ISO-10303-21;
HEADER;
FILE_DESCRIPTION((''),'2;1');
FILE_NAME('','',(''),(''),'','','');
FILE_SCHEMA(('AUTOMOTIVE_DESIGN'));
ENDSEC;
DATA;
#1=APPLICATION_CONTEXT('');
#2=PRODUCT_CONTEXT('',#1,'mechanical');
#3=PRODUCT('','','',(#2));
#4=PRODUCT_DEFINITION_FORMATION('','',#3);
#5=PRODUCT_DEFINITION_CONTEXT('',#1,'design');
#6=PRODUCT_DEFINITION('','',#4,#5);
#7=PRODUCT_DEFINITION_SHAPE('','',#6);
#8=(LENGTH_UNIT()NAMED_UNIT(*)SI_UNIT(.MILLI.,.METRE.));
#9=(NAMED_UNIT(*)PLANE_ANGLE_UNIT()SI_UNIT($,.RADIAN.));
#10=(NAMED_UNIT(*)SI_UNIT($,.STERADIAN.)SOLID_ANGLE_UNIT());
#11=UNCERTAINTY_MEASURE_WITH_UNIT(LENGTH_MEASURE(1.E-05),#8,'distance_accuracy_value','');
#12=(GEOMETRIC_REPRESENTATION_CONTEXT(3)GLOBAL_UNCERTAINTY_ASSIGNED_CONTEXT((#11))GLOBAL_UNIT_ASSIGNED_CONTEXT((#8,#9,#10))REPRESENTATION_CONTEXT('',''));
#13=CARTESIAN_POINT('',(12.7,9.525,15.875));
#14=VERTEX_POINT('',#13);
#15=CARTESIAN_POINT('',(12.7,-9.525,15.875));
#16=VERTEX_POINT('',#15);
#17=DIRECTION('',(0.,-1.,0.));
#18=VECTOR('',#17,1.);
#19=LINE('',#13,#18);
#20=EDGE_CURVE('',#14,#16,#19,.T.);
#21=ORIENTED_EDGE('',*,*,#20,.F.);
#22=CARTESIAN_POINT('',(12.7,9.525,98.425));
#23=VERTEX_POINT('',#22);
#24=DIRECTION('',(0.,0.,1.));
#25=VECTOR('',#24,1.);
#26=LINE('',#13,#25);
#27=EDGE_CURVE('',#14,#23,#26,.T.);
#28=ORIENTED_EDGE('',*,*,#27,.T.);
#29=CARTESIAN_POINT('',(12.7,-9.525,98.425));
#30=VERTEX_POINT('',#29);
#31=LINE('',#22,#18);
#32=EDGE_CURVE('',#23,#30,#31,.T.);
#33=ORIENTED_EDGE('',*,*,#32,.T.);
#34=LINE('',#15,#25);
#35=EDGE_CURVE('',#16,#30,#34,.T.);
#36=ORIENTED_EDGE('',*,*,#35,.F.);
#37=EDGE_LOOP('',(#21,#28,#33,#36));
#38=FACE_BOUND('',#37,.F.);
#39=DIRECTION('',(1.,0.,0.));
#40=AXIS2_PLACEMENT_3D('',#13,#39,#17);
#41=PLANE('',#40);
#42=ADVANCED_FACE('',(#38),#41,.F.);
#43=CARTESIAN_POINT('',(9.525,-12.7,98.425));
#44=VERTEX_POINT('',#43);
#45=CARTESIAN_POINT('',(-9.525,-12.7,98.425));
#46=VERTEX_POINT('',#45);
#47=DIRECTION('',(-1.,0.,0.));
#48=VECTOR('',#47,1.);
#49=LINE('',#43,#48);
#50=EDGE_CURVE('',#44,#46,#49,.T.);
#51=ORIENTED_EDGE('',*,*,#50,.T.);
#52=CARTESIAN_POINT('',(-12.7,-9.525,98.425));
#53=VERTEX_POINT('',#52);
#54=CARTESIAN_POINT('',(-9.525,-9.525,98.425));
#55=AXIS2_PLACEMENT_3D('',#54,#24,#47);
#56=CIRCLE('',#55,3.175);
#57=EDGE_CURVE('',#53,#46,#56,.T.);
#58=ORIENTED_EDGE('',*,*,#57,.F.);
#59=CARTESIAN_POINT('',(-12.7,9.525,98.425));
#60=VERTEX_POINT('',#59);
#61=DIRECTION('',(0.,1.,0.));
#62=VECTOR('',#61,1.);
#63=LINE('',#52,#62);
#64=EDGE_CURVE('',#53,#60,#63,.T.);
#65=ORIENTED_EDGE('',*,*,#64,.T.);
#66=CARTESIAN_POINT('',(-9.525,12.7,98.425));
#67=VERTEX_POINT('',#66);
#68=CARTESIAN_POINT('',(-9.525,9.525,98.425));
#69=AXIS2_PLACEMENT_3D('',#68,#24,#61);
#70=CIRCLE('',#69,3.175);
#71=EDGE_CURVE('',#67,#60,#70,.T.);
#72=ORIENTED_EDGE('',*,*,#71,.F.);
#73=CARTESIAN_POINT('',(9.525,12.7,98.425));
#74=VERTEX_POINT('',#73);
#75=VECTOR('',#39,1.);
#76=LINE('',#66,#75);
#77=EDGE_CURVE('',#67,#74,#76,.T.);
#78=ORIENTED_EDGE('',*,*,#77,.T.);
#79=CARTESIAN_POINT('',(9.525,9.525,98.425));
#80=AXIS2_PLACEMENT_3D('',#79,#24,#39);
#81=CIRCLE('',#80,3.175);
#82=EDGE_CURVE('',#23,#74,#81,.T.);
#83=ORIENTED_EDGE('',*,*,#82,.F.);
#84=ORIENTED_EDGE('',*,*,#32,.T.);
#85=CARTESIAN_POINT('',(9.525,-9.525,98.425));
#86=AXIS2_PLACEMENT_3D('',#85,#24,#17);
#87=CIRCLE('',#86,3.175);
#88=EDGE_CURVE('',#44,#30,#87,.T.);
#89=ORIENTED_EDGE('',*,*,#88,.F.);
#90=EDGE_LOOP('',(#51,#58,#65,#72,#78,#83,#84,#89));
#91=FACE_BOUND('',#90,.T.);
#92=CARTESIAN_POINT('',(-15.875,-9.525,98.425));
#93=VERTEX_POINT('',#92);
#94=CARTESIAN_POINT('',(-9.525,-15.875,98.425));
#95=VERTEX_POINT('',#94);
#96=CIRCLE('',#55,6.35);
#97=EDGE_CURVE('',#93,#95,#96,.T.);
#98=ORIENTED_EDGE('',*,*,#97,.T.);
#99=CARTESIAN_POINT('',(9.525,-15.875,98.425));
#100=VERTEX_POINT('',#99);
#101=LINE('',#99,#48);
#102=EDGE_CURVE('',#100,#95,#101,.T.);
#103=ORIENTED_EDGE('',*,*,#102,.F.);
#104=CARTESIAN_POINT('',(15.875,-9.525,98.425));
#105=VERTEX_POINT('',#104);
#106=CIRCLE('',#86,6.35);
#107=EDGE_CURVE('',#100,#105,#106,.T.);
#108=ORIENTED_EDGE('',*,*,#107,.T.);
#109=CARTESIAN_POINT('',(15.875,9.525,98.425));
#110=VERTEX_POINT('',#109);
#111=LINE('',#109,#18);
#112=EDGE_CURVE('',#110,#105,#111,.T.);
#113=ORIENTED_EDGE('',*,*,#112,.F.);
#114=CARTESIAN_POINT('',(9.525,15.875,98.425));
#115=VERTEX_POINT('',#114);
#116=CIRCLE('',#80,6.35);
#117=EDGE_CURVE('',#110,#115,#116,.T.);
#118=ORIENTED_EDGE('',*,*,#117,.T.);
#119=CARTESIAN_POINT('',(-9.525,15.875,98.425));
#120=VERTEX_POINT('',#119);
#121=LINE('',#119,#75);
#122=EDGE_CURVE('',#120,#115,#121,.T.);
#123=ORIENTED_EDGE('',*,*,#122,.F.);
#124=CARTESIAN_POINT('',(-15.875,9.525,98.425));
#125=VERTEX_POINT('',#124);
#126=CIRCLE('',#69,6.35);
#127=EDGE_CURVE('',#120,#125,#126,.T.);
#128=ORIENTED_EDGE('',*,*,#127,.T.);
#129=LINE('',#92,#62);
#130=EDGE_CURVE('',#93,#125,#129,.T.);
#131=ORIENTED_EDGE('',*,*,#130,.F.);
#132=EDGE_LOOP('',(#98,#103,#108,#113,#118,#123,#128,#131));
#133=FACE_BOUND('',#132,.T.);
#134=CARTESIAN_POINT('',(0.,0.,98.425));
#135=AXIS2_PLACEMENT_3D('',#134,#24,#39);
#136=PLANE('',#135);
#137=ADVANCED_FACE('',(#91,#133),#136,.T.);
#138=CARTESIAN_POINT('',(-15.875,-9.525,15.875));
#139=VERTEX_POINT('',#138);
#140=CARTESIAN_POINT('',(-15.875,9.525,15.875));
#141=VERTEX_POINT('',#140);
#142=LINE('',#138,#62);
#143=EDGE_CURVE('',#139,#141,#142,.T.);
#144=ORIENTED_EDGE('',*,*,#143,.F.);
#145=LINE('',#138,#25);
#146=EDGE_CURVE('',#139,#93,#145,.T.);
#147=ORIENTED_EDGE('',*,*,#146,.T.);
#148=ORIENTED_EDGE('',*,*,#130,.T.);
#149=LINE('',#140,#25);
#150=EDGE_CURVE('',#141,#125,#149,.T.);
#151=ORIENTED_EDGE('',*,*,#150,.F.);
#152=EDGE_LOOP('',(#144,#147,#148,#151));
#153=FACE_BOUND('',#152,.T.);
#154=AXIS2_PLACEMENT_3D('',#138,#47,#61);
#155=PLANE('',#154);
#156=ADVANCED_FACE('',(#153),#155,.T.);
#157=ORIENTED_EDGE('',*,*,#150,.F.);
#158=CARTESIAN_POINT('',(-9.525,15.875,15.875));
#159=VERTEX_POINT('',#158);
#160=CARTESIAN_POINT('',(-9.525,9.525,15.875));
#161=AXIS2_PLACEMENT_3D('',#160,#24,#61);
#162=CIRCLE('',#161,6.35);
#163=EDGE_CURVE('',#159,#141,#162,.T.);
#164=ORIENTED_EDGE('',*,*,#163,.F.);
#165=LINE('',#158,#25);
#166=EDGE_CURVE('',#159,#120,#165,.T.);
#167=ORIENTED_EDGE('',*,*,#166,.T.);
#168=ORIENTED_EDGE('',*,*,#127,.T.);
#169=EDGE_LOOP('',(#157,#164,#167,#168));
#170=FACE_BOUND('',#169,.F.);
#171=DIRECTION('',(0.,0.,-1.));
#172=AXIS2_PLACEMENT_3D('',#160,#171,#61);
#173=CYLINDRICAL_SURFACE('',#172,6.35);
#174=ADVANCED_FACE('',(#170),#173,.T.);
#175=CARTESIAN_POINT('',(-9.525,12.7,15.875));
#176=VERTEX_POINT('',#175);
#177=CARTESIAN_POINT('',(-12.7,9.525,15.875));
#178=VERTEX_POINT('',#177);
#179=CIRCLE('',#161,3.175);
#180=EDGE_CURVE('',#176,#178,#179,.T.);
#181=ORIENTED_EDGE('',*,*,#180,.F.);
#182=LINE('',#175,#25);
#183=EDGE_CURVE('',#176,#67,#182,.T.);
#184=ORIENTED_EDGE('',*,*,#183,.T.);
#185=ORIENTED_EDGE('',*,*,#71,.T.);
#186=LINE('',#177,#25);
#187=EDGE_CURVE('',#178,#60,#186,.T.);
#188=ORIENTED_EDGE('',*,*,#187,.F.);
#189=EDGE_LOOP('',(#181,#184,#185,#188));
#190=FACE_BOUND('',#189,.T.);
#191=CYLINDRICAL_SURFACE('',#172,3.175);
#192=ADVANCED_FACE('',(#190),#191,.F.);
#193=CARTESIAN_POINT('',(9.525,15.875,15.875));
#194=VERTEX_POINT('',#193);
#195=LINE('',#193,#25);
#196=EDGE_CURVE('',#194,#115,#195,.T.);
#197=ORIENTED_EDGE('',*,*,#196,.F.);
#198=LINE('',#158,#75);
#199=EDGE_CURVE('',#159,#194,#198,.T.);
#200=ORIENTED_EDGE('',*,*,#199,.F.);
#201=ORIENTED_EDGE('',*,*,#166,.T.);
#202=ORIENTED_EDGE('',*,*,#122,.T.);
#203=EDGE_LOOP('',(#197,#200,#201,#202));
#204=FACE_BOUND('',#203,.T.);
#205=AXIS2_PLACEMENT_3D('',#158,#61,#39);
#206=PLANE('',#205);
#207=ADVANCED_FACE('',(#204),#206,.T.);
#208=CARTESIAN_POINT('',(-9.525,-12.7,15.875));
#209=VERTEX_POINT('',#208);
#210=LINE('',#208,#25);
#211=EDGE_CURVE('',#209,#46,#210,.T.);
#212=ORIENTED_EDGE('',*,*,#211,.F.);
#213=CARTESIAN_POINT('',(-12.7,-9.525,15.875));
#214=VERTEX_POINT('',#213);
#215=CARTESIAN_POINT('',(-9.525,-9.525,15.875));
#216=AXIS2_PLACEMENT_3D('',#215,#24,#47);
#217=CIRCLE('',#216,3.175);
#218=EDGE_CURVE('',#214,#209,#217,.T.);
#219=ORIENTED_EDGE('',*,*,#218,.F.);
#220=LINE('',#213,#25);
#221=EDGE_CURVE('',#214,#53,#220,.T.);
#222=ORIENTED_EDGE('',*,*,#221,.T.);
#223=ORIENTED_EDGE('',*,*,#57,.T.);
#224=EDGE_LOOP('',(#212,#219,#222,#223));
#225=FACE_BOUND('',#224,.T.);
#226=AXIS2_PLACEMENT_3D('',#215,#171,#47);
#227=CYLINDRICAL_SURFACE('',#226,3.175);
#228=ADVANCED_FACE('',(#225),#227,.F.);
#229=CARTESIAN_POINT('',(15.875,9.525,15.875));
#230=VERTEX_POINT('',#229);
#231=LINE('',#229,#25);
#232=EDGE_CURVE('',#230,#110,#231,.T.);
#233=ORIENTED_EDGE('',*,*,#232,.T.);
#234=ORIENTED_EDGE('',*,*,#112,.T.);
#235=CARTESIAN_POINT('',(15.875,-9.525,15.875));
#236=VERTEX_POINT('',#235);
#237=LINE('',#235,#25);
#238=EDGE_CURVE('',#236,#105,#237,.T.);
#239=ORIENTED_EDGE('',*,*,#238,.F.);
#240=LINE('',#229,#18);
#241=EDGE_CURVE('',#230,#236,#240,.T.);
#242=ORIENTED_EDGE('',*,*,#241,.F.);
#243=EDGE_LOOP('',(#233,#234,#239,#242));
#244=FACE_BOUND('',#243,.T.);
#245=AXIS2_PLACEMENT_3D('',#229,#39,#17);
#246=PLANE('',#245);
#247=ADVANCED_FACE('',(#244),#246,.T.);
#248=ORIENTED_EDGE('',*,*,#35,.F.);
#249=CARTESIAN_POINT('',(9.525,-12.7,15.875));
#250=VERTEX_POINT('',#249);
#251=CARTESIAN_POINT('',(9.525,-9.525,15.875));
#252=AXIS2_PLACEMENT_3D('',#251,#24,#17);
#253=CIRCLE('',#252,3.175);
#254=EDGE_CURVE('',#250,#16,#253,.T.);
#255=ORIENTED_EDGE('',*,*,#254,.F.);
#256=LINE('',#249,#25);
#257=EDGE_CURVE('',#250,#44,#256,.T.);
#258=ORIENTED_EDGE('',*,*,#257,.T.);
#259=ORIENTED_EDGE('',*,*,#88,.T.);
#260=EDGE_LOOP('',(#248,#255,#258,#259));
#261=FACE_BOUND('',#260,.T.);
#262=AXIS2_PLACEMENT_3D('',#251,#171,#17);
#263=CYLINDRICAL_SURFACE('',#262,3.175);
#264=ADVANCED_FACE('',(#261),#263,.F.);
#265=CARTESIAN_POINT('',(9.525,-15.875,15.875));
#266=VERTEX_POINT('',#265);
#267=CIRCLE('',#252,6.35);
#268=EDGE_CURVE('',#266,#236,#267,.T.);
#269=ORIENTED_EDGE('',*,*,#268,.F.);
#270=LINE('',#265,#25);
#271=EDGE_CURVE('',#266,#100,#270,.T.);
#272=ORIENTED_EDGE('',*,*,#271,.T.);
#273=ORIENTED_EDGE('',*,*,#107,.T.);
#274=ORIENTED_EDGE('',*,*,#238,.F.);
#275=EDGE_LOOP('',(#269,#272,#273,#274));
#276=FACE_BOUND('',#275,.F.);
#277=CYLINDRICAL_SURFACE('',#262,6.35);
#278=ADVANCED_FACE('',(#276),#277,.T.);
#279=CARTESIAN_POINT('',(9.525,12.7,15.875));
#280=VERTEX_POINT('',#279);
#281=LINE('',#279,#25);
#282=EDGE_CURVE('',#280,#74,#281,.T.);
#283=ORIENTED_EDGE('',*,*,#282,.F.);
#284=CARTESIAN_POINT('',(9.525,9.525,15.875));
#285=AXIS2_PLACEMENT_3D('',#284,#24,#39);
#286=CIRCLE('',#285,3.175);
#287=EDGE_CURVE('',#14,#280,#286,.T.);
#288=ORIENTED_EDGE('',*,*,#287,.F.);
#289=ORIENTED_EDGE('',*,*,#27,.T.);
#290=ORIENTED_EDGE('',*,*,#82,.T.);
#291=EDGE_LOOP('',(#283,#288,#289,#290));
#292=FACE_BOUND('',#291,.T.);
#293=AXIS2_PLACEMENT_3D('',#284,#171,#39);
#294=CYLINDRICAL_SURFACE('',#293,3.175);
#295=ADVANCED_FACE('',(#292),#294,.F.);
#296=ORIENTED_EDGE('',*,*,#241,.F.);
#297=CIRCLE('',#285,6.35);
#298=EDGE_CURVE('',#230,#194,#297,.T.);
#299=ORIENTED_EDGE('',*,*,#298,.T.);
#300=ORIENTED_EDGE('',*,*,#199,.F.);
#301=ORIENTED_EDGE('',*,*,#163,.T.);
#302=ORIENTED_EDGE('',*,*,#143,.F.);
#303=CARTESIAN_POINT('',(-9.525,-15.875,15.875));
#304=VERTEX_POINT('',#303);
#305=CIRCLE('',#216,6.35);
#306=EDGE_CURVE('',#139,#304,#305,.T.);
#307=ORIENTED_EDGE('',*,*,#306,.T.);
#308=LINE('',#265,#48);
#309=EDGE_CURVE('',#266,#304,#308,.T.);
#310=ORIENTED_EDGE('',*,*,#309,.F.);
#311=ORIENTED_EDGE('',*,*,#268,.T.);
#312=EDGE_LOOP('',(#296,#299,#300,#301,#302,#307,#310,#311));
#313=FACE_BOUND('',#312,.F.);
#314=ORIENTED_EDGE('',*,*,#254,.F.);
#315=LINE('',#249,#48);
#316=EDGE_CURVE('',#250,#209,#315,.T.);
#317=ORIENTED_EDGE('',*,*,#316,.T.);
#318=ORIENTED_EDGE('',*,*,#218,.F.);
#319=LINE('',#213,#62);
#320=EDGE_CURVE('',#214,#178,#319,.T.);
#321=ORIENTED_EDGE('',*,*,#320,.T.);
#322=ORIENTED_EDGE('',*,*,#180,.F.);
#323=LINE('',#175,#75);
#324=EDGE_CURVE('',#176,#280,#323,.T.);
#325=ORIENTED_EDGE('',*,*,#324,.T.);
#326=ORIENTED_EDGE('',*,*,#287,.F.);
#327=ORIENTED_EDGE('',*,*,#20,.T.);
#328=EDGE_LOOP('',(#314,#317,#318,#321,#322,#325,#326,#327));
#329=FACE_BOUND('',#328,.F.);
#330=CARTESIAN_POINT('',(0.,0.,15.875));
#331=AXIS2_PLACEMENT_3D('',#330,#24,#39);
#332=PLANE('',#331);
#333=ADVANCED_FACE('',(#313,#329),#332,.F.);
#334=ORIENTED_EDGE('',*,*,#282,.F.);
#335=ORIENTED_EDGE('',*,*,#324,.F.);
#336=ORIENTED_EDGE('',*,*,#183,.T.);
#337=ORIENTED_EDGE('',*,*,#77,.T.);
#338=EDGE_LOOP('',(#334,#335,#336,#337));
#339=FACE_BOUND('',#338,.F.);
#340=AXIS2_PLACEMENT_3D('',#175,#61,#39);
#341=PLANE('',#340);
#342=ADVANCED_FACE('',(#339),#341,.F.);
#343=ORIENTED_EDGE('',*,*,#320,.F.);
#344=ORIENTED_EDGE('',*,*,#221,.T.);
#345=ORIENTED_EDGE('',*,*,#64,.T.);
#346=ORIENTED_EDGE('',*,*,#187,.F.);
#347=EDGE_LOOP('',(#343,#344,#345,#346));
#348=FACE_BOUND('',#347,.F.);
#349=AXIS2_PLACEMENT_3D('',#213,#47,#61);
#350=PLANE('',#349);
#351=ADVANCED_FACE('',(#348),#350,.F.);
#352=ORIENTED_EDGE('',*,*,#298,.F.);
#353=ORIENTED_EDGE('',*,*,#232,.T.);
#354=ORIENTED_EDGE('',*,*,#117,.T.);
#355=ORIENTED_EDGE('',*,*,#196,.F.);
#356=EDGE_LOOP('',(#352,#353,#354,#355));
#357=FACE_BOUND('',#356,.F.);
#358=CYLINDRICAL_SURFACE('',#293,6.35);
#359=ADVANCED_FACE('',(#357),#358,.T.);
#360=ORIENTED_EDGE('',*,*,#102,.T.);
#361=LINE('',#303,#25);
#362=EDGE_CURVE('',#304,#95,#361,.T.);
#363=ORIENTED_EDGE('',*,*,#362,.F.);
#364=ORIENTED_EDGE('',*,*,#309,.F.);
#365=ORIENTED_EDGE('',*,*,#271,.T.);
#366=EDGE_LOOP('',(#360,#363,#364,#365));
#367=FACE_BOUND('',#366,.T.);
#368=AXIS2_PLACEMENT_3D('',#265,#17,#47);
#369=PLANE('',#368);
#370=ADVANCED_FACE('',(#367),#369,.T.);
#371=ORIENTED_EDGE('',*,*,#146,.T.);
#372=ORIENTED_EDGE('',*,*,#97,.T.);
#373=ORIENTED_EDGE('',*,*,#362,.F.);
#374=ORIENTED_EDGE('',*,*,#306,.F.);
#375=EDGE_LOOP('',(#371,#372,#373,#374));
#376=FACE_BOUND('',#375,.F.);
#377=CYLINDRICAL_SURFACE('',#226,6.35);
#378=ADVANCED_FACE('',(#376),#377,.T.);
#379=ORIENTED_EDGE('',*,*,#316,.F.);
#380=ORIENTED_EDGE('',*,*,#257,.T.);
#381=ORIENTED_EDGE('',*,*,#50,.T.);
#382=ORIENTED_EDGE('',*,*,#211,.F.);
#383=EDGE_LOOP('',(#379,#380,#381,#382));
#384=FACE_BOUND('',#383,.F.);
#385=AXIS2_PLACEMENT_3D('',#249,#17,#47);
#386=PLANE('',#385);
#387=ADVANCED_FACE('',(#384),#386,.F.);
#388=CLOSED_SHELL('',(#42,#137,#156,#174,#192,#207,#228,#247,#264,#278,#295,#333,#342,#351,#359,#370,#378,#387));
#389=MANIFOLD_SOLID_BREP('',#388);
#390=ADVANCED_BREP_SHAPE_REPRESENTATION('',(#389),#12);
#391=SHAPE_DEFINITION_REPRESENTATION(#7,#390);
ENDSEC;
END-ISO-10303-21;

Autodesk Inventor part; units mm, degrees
ref_plane "Start plane" through (0, 0, 15.875) normal (0, 0, 1) x (1, 0, 0)
ref_plane "End plane" through (0, 0, 98.425) normal (0, 0, 1) x (1, 0, 0)
sketch "Sketch" plane through (0, 0, 0) normal (0, 0, 1) x (1, 0, 0)
  line L0 (-15.875, -9.525) -> (-15.875, 9.525)
  line L1 (-9.525, 15.875) -> (9.525, 15.875)
  line L2 (15.875, 9.525) -> (15.875, -9.525)
  line L3 (9.525, -15.875) -> (-9.525, -15.875)
  arc A0 (-15.875, -9.525) -> (-9.525, -15.875) centre (-9.525, -9.525) ccw
  arc A1 (-9.525, 15.875) -> (-15.875, 9.525) centre (-9.525, 9.525) ccw
  arc A2 (15.875, 9.525) -> (9.525, 15.875) centre (9.525, 9.525) ccw
  arc A3 (9.525, -15.875) -> (15.875, -9.525) centre (9.525, -9.525) ccw
  arc A4 (-9.525, 12.7) -> (-12.7, 9.525) centre (-9.525, 9.525) ccw
  line L4 (-9.525, 12.7) -> (9.525, 12.7)
  arc A5 (12.7, 9.525) -> (9.525, 12.7) centre (9.525, 9.525) ccw
  line L5 (12.7, 9.525) -> (12.7, -9.525)
  arc A6 (9.525, -12.7) -> (12.7, -9.525) centre (9.525, -9.525) ccw
  line L6 (9.525, -12.7) -> (-9.525, -12.7)
  arc A7 (-12.7, -9.525) -> (-9.525, -12.7) centre (-9.525, -9.525) ccw
  line L7 (-12.7, -9.525) -> (-12.7, 9.525)
  line L8 (0, 24.0662) -> (0, -24.0662) construction
  line L9 (-24.0662, 0) -> (24.0662, 0) construction
  dimension "d10" = 31.75
  dimension "d11" = 31.75
  dimension "d12" = 3.175
  dimension "d15" = 15.875
  dimension "d16" = 15.875
  dimension "d17" = 6.35
extrude "Body" add sketch "Sketch" along normal up to surface (82.55 mm away) from surface at 15.875
sketch "Sketch3" plane through (0, 0, 0) normal (0, 0, 1) x (1, 0, 0)
  line L0 (0, 0) -> (10, 0)
ref_plane "Work Plane3" through (0, 0, 0) normal (0, -1, 0) x (1, 0, 0)
sketch "Sketch4" plane through (0, 0, 0) normal (0, -1, 0) x (1, 0, 0)
  line L0 (-2, 15.875) -> (12, 15.875)
  line L1 (-2, 98.425) -> (12, 98.425)
  dimension "d19" = 82.55
ref_plane "Work Plane4" through (9.525, -507.9999, 15.875) normal (0, 0, -1) x (-1, 0, 0)
split "Split1" plane through (9.525, -507.9999, 15.875) removes the side toward (0, 0, -1)
ref_plane "Work Plane5" through (9.525, 101.6001, 98.425) normal (0, 0, 1) x (1, 0, 0)
split "Split2" plane through (9.525, 101.6001, 98.425) removes the side toward (0, 0, 1)
equation "\"d10\" = G_H"
equation "\"d11\" = G_W"
equation "\"d12\" = G_T"
equation "\"d15\" = 0.5 * d10"
equation "\"d16\" = 0.5 * d11"
equation "\"d17\" = G_IR"
equation "\"d3\" = G_L"
equation "\"G_W\" = 31.75"
equation "\"G_H\" = 31.75"
equation "\"G_T\" = 3.175"
equation "\"G_IR\" = 6.35"
equation "\"G_L\" = d19"
equation "\"G_OFFSET_START\" = -15.875"
equation "\"G_OFFSET_END\" = -15.875"
equation "\"d13\" = -G_OFFSET_START"
equation "\"d14\" = G_OFFSET_END + B_L"
equation "\"B_L\" = 114.3"
properties part number "AISC HSS - 1-1/4x1-1/4x1/8 - 3.25" material "Steel, Mild"
